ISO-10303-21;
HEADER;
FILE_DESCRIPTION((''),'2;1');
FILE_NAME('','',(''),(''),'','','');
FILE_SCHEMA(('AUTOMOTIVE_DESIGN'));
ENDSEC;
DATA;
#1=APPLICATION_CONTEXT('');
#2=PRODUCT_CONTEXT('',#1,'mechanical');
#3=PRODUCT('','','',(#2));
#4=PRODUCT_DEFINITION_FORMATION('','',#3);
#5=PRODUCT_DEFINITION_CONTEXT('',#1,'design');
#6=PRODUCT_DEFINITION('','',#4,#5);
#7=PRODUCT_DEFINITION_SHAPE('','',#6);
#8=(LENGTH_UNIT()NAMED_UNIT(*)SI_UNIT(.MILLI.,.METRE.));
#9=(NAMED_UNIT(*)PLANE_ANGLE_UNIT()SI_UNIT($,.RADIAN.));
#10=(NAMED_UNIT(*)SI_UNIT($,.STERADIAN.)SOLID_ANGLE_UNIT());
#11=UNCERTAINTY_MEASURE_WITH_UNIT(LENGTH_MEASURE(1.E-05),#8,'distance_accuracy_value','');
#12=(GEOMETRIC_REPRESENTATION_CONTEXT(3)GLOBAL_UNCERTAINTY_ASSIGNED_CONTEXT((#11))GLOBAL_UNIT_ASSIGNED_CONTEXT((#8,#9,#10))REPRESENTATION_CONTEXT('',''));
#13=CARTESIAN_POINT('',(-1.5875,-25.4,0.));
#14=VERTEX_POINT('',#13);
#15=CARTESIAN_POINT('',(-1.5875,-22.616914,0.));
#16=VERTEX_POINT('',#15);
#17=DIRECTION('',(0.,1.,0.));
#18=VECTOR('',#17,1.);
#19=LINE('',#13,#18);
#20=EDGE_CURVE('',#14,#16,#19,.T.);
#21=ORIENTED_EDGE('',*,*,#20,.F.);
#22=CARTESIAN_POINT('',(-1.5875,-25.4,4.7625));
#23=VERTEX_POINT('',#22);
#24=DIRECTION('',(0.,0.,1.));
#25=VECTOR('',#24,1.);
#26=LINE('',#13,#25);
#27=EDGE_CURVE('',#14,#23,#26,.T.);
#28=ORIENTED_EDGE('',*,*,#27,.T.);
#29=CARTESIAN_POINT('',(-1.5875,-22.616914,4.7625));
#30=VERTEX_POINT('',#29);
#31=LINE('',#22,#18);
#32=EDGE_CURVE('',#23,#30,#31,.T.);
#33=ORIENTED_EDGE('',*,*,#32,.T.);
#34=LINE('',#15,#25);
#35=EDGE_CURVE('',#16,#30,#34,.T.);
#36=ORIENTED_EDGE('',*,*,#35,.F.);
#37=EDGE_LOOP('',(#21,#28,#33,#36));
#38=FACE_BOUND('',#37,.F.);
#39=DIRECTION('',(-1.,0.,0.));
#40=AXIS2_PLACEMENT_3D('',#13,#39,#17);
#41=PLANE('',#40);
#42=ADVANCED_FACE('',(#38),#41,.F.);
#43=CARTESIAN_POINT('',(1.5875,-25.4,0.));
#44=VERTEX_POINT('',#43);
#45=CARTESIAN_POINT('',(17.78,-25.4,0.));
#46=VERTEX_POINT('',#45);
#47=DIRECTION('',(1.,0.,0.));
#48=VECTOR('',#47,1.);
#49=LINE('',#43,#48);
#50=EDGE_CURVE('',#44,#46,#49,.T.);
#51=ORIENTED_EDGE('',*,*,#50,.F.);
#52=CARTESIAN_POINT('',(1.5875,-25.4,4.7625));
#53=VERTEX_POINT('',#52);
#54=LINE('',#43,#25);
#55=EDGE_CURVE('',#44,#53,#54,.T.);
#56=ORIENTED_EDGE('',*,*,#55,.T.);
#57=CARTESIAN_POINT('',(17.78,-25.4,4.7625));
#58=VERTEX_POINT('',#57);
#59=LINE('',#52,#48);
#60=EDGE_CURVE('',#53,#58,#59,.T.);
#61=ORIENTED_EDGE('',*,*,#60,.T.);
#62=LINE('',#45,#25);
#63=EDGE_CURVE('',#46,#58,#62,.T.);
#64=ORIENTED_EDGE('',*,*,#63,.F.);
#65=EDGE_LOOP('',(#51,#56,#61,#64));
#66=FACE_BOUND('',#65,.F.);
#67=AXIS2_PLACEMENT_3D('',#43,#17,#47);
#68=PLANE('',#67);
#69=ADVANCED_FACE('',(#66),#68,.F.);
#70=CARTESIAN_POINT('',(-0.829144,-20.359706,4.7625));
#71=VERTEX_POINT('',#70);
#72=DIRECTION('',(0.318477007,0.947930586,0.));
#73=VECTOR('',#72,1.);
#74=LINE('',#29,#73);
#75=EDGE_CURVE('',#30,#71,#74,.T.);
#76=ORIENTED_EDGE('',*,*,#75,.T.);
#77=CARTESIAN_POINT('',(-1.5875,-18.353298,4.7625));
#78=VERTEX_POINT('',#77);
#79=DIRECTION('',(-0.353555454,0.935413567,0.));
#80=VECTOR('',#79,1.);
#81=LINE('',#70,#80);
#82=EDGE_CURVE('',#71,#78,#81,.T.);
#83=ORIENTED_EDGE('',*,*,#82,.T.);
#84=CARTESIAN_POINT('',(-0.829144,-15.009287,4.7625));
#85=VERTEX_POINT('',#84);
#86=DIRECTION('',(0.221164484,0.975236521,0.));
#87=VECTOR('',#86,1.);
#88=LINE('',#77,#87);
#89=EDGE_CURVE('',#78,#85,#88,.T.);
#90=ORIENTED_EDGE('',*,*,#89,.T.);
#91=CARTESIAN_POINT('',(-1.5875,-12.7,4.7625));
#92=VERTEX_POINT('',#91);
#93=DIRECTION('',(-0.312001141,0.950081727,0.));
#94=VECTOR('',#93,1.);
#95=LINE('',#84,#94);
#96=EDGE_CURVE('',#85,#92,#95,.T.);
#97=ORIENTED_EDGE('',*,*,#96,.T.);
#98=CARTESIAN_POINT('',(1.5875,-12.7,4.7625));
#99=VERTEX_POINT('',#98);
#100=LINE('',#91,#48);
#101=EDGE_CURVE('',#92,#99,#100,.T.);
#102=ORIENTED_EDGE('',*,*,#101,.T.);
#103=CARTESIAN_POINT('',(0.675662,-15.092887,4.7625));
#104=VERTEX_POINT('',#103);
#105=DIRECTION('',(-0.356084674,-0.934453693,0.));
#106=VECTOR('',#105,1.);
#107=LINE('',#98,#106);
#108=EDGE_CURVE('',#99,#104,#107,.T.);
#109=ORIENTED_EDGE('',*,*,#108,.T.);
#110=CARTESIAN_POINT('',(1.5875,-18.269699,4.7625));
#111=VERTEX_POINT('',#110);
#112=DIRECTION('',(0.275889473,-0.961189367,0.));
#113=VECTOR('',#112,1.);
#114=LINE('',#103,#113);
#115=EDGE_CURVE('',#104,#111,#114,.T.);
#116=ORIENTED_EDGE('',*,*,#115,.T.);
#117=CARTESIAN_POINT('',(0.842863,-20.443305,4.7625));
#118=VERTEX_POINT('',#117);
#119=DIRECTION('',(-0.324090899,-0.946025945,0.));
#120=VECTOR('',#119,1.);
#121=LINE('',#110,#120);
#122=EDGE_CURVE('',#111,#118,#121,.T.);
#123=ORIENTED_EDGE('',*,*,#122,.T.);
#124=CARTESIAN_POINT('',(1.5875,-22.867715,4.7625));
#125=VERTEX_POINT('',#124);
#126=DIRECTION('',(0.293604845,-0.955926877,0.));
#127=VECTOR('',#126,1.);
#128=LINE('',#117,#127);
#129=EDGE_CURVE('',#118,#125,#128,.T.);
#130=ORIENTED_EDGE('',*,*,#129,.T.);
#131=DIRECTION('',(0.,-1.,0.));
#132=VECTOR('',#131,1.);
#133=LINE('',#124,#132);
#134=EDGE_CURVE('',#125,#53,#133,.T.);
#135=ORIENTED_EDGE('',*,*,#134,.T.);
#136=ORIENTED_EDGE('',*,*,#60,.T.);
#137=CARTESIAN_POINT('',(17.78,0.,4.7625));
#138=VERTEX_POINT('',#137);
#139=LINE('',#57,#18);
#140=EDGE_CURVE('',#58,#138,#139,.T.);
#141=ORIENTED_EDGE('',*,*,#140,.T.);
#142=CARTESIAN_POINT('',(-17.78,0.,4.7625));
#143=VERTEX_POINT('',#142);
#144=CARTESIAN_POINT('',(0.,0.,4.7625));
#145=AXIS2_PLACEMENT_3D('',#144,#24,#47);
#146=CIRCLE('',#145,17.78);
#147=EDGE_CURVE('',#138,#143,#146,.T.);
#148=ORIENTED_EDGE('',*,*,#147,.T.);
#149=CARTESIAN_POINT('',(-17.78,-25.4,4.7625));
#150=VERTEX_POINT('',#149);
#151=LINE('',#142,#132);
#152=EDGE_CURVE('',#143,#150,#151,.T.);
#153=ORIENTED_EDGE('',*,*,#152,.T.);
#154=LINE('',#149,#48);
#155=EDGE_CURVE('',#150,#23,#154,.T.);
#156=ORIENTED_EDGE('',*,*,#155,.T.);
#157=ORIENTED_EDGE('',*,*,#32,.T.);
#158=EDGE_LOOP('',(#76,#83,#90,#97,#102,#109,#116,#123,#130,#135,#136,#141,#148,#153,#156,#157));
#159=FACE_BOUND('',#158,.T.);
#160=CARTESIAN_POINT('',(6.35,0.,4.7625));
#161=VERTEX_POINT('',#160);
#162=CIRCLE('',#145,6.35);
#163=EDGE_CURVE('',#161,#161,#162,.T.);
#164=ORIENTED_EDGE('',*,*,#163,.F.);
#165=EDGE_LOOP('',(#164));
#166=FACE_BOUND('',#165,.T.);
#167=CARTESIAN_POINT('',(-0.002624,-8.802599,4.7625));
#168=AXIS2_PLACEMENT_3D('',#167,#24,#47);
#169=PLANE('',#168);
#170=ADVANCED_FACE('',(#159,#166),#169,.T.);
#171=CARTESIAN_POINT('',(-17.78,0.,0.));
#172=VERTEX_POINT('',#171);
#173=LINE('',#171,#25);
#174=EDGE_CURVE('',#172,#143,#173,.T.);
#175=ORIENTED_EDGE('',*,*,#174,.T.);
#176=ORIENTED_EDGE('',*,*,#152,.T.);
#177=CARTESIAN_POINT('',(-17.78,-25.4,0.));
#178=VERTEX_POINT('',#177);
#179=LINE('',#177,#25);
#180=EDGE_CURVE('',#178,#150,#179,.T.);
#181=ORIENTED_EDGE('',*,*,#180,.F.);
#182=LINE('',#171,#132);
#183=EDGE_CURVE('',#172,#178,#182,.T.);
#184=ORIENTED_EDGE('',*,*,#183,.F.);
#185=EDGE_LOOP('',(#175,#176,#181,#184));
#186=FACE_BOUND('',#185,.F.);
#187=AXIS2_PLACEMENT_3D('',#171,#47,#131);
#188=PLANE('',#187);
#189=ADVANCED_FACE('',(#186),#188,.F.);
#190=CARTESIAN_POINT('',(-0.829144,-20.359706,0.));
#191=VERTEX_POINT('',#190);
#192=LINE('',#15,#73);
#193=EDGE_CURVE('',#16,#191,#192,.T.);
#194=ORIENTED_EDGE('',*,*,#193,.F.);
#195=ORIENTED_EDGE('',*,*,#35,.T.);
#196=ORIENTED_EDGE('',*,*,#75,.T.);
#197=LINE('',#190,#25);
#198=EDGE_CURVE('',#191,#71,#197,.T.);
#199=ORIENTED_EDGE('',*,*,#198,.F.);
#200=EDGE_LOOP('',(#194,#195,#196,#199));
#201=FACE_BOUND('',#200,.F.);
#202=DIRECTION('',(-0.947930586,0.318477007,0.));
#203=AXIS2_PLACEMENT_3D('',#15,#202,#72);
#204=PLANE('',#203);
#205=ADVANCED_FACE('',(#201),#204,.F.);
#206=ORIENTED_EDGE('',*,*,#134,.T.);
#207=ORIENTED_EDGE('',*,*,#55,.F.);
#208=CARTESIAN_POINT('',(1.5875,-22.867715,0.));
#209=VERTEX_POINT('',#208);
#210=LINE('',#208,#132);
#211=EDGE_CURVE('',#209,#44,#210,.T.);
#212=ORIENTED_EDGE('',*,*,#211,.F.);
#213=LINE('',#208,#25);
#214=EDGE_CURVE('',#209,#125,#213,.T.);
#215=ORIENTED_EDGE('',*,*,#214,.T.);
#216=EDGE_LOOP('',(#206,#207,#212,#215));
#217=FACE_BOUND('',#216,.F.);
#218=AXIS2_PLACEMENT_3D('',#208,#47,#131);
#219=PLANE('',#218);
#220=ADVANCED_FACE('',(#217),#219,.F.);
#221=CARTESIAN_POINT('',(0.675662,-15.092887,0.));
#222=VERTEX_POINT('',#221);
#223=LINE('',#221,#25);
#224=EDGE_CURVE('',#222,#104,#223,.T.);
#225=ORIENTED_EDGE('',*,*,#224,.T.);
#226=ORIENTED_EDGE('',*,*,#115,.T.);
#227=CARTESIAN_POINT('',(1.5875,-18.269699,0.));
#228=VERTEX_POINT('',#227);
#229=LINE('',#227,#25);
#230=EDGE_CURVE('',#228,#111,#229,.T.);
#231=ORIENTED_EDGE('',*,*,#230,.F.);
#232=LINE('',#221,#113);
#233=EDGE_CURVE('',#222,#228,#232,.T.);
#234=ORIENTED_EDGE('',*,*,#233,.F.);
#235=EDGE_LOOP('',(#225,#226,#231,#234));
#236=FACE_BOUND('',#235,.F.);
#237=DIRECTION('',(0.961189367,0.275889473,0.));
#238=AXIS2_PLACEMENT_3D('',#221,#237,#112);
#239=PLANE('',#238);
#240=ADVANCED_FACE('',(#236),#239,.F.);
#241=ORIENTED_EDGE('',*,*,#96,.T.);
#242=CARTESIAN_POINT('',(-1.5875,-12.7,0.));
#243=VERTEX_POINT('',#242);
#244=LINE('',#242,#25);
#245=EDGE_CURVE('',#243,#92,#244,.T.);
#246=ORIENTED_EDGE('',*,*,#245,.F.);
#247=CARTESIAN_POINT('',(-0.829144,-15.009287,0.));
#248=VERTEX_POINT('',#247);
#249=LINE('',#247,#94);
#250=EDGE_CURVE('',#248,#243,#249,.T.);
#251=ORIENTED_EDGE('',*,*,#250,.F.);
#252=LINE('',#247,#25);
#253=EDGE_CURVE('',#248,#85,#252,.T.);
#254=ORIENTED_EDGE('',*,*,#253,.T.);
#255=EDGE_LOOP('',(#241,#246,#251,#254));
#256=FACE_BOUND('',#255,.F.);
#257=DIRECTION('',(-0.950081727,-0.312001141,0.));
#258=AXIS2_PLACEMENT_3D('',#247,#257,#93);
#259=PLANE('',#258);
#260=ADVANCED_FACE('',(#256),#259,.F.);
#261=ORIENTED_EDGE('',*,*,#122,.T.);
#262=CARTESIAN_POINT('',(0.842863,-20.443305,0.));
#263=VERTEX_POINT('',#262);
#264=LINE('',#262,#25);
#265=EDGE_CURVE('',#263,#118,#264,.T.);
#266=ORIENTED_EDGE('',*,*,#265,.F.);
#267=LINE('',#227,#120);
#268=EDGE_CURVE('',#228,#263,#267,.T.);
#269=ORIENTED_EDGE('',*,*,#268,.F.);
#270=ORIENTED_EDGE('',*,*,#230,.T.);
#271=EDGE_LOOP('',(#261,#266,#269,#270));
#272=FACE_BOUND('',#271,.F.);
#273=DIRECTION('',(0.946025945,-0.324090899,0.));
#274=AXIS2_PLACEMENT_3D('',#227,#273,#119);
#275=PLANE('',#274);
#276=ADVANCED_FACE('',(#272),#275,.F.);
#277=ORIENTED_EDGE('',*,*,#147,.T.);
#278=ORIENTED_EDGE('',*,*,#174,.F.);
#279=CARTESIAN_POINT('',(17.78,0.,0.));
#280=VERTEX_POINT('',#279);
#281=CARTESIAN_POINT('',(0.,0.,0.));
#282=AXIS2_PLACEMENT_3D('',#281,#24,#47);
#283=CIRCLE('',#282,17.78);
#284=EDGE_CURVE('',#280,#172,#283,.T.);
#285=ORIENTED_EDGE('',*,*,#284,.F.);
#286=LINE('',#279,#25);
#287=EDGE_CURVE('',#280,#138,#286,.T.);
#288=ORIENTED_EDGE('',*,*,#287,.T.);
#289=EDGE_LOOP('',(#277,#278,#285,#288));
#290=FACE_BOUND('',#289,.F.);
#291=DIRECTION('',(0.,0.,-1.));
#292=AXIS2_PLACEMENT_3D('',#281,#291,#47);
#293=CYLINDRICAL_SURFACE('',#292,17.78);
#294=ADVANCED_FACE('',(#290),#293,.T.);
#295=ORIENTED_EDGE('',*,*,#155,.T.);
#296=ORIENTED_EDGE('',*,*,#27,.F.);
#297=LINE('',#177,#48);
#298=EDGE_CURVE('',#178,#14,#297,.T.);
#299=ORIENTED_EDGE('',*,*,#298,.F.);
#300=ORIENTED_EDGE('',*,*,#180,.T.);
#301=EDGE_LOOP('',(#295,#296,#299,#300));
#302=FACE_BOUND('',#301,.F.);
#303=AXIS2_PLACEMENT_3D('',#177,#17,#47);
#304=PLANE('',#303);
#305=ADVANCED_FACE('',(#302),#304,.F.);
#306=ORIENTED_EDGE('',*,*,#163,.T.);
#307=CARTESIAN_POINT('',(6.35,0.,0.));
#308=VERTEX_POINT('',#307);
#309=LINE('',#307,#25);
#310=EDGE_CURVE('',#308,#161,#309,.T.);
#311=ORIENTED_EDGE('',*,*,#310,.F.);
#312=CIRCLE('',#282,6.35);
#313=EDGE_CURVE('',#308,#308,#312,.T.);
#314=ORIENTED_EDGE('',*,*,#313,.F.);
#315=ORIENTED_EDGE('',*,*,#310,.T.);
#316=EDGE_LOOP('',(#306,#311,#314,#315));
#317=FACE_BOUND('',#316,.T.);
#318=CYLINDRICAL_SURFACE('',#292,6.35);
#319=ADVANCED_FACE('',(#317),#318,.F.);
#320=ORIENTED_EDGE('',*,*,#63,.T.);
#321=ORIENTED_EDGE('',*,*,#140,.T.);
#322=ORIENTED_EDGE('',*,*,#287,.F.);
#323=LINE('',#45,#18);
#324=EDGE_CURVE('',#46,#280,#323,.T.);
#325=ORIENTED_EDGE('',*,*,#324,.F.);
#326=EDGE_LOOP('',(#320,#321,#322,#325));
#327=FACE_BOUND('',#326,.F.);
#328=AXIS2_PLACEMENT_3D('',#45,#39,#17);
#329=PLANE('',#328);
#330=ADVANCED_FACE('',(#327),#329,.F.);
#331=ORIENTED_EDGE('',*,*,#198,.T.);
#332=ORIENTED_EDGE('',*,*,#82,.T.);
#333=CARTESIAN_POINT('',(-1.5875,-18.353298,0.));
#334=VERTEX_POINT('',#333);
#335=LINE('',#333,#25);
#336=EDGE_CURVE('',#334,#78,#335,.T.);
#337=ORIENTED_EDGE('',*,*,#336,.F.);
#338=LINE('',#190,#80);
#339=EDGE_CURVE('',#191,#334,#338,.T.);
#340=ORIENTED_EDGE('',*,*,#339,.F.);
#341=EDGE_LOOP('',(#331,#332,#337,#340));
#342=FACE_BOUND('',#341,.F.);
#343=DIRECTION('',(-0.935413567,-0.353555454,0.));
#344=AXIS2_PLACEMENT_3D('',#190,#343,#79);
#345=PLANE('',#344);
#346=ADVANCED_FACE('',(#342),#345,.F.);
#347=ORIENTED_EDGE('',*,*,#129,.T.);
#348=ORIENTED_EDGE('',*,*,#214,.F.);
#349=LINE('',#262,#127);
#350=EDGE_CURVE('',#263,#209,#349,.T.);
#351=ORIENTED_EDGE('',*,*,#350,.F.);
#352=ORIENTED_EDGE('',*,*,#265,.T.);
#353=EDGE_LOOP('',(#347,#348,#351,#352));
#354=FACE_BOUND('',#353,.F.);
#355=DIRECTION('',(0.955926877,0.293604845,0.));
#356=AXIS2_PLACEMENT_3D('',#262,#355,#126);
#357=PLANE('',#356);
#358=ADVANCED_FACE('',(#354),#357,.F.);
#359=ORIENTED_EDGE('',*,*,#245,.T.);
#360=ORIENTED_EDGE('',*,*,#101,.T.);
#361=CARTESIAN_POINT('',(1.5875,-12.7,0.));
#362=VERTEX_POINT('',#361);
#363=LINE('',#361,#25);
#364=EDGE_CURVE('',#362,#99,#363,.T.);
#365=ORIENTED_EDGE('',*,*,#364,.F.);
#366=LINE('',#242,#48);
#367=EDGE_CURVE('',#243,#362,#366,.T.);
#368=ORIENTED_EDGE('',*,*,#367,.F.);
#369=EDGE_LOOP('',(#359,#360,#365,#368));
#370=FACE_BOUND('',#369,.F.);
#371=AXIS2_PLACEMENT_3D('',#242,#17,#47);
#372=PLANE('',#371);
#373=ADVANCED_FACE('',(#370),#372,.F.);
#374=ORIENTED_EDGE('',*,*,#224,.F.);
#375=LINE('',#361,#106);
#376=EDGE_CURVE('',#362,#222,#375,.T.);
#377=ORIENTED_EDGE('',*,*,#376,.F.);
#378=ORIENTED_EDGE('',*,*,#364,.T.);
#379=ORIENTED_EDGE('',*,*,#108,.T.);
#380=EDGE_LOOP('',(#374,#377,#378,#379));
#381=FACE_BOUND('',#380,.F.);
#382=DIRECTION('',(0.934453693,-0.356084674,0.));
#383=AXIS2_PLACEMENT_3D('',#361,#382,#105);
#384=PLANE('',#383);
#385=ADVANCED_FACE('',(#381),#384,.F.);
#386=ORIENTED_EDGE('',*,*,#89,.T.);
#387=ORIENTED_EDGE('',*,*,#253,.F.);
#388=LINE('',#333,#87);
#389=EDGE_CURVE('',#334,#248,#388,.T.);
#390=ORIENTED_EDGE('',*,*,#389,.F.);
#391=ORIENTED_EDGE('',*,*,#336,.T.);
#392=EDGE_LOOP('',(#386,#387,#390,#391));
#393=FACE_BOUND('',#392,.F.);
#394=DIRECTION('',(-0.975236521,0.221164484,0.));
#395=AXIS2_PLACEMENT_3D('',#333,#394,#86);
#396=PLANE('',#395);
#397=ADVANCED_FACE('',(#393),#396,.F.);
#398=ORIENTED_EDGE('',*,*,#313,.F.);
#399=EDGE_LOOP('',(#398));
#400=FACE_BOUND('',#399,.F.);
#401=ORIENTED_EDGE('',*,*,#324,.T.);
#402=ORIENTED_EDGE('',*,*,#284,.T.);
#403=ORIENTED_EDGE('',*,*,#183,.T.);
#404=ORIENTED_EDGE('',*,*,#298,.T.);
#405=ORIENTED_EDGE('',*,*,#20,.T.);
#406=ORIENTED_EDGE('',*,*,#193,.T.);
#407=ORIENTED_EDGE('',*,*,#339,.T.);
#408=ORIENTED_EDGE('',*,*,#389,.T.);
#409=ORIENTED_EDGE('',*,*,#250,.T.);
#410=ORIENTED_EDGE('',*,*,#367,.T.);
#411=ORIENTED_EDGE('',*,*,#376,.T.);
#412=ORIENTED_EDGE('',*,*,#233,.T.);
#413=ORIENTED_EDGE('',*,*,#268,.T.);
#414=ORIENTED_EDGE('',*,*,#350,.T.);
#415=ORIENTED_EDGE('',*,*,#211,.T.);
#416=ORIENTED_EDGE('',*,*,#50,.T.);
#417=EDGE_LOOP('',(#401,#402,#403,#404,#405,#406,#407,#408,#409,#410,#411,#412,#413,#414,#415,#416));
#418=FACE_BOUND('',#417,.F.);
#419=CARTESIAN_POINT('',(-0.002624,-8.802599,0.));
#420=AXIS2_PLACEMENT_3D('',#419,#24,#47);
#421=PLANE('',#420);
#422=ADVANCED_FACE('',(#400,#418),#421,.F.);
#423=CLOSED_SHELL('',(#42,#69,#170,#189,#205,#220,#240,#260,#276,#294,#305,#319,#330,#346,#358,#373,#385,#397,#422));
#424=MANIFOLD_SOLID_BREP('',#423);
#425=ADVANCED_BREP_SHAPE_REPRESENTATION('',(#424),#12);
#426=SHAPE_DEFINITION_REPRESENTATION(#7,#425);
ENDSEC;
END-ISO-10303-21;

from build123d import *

# Parameters (mm, degrees)
F0_R     = 6.35
F1_DEPTH = 4.7625


with BuildPart() as f1:
    # F0 (on Top) → F1 (new body)
    with BuildSketch(Plane.XY):
        with BuildLine():
            Line((17.78, -25.4), (17.78, 0))
            ThreePointArc((17.78, 0), (0, 17.78), (-17.78, 0))
            Line((-17.78, 0), (-17.78, -25.4))
            Line((-17.78, -25.4), (-1.5875, -25.4))
            Line((-1.5875, -25.4), (-1.5875, -22.616914))
            Line((-1.5875, -22.616914), (-0.829144, -20.359706))
            Line((-0.829144, -20.359706), (-1.5875, -18.353298))
            Line((-1.5875, -18.353298), (-0.829144, -15.009287))
            Line((-0.829144, -15.009287), (-1.5875, -12.7))
            Line((-1.5875, -12.7), (1.5875, -12.7))
            Line((1.5875, -12.7), (0.675662, -15.092887))
            Line((0.675662, -15.092887), (1.5875, -18.269699))
            Line((1.5875, -18.269699), (0.842863, -20.443305))
            Line((0.842863, -20.443305), (1.5875, -22.867715))
            Line((1.5875, -22.867715), (1.5875, -25.4))
            Line((1.5875, -25.4), (17.78, -25.4))
        make_face()
        Circle(F0_R, mode=Mode.SUBTRACT)
    extrude(amount=F1_DEPTH)


solid = f1.part
